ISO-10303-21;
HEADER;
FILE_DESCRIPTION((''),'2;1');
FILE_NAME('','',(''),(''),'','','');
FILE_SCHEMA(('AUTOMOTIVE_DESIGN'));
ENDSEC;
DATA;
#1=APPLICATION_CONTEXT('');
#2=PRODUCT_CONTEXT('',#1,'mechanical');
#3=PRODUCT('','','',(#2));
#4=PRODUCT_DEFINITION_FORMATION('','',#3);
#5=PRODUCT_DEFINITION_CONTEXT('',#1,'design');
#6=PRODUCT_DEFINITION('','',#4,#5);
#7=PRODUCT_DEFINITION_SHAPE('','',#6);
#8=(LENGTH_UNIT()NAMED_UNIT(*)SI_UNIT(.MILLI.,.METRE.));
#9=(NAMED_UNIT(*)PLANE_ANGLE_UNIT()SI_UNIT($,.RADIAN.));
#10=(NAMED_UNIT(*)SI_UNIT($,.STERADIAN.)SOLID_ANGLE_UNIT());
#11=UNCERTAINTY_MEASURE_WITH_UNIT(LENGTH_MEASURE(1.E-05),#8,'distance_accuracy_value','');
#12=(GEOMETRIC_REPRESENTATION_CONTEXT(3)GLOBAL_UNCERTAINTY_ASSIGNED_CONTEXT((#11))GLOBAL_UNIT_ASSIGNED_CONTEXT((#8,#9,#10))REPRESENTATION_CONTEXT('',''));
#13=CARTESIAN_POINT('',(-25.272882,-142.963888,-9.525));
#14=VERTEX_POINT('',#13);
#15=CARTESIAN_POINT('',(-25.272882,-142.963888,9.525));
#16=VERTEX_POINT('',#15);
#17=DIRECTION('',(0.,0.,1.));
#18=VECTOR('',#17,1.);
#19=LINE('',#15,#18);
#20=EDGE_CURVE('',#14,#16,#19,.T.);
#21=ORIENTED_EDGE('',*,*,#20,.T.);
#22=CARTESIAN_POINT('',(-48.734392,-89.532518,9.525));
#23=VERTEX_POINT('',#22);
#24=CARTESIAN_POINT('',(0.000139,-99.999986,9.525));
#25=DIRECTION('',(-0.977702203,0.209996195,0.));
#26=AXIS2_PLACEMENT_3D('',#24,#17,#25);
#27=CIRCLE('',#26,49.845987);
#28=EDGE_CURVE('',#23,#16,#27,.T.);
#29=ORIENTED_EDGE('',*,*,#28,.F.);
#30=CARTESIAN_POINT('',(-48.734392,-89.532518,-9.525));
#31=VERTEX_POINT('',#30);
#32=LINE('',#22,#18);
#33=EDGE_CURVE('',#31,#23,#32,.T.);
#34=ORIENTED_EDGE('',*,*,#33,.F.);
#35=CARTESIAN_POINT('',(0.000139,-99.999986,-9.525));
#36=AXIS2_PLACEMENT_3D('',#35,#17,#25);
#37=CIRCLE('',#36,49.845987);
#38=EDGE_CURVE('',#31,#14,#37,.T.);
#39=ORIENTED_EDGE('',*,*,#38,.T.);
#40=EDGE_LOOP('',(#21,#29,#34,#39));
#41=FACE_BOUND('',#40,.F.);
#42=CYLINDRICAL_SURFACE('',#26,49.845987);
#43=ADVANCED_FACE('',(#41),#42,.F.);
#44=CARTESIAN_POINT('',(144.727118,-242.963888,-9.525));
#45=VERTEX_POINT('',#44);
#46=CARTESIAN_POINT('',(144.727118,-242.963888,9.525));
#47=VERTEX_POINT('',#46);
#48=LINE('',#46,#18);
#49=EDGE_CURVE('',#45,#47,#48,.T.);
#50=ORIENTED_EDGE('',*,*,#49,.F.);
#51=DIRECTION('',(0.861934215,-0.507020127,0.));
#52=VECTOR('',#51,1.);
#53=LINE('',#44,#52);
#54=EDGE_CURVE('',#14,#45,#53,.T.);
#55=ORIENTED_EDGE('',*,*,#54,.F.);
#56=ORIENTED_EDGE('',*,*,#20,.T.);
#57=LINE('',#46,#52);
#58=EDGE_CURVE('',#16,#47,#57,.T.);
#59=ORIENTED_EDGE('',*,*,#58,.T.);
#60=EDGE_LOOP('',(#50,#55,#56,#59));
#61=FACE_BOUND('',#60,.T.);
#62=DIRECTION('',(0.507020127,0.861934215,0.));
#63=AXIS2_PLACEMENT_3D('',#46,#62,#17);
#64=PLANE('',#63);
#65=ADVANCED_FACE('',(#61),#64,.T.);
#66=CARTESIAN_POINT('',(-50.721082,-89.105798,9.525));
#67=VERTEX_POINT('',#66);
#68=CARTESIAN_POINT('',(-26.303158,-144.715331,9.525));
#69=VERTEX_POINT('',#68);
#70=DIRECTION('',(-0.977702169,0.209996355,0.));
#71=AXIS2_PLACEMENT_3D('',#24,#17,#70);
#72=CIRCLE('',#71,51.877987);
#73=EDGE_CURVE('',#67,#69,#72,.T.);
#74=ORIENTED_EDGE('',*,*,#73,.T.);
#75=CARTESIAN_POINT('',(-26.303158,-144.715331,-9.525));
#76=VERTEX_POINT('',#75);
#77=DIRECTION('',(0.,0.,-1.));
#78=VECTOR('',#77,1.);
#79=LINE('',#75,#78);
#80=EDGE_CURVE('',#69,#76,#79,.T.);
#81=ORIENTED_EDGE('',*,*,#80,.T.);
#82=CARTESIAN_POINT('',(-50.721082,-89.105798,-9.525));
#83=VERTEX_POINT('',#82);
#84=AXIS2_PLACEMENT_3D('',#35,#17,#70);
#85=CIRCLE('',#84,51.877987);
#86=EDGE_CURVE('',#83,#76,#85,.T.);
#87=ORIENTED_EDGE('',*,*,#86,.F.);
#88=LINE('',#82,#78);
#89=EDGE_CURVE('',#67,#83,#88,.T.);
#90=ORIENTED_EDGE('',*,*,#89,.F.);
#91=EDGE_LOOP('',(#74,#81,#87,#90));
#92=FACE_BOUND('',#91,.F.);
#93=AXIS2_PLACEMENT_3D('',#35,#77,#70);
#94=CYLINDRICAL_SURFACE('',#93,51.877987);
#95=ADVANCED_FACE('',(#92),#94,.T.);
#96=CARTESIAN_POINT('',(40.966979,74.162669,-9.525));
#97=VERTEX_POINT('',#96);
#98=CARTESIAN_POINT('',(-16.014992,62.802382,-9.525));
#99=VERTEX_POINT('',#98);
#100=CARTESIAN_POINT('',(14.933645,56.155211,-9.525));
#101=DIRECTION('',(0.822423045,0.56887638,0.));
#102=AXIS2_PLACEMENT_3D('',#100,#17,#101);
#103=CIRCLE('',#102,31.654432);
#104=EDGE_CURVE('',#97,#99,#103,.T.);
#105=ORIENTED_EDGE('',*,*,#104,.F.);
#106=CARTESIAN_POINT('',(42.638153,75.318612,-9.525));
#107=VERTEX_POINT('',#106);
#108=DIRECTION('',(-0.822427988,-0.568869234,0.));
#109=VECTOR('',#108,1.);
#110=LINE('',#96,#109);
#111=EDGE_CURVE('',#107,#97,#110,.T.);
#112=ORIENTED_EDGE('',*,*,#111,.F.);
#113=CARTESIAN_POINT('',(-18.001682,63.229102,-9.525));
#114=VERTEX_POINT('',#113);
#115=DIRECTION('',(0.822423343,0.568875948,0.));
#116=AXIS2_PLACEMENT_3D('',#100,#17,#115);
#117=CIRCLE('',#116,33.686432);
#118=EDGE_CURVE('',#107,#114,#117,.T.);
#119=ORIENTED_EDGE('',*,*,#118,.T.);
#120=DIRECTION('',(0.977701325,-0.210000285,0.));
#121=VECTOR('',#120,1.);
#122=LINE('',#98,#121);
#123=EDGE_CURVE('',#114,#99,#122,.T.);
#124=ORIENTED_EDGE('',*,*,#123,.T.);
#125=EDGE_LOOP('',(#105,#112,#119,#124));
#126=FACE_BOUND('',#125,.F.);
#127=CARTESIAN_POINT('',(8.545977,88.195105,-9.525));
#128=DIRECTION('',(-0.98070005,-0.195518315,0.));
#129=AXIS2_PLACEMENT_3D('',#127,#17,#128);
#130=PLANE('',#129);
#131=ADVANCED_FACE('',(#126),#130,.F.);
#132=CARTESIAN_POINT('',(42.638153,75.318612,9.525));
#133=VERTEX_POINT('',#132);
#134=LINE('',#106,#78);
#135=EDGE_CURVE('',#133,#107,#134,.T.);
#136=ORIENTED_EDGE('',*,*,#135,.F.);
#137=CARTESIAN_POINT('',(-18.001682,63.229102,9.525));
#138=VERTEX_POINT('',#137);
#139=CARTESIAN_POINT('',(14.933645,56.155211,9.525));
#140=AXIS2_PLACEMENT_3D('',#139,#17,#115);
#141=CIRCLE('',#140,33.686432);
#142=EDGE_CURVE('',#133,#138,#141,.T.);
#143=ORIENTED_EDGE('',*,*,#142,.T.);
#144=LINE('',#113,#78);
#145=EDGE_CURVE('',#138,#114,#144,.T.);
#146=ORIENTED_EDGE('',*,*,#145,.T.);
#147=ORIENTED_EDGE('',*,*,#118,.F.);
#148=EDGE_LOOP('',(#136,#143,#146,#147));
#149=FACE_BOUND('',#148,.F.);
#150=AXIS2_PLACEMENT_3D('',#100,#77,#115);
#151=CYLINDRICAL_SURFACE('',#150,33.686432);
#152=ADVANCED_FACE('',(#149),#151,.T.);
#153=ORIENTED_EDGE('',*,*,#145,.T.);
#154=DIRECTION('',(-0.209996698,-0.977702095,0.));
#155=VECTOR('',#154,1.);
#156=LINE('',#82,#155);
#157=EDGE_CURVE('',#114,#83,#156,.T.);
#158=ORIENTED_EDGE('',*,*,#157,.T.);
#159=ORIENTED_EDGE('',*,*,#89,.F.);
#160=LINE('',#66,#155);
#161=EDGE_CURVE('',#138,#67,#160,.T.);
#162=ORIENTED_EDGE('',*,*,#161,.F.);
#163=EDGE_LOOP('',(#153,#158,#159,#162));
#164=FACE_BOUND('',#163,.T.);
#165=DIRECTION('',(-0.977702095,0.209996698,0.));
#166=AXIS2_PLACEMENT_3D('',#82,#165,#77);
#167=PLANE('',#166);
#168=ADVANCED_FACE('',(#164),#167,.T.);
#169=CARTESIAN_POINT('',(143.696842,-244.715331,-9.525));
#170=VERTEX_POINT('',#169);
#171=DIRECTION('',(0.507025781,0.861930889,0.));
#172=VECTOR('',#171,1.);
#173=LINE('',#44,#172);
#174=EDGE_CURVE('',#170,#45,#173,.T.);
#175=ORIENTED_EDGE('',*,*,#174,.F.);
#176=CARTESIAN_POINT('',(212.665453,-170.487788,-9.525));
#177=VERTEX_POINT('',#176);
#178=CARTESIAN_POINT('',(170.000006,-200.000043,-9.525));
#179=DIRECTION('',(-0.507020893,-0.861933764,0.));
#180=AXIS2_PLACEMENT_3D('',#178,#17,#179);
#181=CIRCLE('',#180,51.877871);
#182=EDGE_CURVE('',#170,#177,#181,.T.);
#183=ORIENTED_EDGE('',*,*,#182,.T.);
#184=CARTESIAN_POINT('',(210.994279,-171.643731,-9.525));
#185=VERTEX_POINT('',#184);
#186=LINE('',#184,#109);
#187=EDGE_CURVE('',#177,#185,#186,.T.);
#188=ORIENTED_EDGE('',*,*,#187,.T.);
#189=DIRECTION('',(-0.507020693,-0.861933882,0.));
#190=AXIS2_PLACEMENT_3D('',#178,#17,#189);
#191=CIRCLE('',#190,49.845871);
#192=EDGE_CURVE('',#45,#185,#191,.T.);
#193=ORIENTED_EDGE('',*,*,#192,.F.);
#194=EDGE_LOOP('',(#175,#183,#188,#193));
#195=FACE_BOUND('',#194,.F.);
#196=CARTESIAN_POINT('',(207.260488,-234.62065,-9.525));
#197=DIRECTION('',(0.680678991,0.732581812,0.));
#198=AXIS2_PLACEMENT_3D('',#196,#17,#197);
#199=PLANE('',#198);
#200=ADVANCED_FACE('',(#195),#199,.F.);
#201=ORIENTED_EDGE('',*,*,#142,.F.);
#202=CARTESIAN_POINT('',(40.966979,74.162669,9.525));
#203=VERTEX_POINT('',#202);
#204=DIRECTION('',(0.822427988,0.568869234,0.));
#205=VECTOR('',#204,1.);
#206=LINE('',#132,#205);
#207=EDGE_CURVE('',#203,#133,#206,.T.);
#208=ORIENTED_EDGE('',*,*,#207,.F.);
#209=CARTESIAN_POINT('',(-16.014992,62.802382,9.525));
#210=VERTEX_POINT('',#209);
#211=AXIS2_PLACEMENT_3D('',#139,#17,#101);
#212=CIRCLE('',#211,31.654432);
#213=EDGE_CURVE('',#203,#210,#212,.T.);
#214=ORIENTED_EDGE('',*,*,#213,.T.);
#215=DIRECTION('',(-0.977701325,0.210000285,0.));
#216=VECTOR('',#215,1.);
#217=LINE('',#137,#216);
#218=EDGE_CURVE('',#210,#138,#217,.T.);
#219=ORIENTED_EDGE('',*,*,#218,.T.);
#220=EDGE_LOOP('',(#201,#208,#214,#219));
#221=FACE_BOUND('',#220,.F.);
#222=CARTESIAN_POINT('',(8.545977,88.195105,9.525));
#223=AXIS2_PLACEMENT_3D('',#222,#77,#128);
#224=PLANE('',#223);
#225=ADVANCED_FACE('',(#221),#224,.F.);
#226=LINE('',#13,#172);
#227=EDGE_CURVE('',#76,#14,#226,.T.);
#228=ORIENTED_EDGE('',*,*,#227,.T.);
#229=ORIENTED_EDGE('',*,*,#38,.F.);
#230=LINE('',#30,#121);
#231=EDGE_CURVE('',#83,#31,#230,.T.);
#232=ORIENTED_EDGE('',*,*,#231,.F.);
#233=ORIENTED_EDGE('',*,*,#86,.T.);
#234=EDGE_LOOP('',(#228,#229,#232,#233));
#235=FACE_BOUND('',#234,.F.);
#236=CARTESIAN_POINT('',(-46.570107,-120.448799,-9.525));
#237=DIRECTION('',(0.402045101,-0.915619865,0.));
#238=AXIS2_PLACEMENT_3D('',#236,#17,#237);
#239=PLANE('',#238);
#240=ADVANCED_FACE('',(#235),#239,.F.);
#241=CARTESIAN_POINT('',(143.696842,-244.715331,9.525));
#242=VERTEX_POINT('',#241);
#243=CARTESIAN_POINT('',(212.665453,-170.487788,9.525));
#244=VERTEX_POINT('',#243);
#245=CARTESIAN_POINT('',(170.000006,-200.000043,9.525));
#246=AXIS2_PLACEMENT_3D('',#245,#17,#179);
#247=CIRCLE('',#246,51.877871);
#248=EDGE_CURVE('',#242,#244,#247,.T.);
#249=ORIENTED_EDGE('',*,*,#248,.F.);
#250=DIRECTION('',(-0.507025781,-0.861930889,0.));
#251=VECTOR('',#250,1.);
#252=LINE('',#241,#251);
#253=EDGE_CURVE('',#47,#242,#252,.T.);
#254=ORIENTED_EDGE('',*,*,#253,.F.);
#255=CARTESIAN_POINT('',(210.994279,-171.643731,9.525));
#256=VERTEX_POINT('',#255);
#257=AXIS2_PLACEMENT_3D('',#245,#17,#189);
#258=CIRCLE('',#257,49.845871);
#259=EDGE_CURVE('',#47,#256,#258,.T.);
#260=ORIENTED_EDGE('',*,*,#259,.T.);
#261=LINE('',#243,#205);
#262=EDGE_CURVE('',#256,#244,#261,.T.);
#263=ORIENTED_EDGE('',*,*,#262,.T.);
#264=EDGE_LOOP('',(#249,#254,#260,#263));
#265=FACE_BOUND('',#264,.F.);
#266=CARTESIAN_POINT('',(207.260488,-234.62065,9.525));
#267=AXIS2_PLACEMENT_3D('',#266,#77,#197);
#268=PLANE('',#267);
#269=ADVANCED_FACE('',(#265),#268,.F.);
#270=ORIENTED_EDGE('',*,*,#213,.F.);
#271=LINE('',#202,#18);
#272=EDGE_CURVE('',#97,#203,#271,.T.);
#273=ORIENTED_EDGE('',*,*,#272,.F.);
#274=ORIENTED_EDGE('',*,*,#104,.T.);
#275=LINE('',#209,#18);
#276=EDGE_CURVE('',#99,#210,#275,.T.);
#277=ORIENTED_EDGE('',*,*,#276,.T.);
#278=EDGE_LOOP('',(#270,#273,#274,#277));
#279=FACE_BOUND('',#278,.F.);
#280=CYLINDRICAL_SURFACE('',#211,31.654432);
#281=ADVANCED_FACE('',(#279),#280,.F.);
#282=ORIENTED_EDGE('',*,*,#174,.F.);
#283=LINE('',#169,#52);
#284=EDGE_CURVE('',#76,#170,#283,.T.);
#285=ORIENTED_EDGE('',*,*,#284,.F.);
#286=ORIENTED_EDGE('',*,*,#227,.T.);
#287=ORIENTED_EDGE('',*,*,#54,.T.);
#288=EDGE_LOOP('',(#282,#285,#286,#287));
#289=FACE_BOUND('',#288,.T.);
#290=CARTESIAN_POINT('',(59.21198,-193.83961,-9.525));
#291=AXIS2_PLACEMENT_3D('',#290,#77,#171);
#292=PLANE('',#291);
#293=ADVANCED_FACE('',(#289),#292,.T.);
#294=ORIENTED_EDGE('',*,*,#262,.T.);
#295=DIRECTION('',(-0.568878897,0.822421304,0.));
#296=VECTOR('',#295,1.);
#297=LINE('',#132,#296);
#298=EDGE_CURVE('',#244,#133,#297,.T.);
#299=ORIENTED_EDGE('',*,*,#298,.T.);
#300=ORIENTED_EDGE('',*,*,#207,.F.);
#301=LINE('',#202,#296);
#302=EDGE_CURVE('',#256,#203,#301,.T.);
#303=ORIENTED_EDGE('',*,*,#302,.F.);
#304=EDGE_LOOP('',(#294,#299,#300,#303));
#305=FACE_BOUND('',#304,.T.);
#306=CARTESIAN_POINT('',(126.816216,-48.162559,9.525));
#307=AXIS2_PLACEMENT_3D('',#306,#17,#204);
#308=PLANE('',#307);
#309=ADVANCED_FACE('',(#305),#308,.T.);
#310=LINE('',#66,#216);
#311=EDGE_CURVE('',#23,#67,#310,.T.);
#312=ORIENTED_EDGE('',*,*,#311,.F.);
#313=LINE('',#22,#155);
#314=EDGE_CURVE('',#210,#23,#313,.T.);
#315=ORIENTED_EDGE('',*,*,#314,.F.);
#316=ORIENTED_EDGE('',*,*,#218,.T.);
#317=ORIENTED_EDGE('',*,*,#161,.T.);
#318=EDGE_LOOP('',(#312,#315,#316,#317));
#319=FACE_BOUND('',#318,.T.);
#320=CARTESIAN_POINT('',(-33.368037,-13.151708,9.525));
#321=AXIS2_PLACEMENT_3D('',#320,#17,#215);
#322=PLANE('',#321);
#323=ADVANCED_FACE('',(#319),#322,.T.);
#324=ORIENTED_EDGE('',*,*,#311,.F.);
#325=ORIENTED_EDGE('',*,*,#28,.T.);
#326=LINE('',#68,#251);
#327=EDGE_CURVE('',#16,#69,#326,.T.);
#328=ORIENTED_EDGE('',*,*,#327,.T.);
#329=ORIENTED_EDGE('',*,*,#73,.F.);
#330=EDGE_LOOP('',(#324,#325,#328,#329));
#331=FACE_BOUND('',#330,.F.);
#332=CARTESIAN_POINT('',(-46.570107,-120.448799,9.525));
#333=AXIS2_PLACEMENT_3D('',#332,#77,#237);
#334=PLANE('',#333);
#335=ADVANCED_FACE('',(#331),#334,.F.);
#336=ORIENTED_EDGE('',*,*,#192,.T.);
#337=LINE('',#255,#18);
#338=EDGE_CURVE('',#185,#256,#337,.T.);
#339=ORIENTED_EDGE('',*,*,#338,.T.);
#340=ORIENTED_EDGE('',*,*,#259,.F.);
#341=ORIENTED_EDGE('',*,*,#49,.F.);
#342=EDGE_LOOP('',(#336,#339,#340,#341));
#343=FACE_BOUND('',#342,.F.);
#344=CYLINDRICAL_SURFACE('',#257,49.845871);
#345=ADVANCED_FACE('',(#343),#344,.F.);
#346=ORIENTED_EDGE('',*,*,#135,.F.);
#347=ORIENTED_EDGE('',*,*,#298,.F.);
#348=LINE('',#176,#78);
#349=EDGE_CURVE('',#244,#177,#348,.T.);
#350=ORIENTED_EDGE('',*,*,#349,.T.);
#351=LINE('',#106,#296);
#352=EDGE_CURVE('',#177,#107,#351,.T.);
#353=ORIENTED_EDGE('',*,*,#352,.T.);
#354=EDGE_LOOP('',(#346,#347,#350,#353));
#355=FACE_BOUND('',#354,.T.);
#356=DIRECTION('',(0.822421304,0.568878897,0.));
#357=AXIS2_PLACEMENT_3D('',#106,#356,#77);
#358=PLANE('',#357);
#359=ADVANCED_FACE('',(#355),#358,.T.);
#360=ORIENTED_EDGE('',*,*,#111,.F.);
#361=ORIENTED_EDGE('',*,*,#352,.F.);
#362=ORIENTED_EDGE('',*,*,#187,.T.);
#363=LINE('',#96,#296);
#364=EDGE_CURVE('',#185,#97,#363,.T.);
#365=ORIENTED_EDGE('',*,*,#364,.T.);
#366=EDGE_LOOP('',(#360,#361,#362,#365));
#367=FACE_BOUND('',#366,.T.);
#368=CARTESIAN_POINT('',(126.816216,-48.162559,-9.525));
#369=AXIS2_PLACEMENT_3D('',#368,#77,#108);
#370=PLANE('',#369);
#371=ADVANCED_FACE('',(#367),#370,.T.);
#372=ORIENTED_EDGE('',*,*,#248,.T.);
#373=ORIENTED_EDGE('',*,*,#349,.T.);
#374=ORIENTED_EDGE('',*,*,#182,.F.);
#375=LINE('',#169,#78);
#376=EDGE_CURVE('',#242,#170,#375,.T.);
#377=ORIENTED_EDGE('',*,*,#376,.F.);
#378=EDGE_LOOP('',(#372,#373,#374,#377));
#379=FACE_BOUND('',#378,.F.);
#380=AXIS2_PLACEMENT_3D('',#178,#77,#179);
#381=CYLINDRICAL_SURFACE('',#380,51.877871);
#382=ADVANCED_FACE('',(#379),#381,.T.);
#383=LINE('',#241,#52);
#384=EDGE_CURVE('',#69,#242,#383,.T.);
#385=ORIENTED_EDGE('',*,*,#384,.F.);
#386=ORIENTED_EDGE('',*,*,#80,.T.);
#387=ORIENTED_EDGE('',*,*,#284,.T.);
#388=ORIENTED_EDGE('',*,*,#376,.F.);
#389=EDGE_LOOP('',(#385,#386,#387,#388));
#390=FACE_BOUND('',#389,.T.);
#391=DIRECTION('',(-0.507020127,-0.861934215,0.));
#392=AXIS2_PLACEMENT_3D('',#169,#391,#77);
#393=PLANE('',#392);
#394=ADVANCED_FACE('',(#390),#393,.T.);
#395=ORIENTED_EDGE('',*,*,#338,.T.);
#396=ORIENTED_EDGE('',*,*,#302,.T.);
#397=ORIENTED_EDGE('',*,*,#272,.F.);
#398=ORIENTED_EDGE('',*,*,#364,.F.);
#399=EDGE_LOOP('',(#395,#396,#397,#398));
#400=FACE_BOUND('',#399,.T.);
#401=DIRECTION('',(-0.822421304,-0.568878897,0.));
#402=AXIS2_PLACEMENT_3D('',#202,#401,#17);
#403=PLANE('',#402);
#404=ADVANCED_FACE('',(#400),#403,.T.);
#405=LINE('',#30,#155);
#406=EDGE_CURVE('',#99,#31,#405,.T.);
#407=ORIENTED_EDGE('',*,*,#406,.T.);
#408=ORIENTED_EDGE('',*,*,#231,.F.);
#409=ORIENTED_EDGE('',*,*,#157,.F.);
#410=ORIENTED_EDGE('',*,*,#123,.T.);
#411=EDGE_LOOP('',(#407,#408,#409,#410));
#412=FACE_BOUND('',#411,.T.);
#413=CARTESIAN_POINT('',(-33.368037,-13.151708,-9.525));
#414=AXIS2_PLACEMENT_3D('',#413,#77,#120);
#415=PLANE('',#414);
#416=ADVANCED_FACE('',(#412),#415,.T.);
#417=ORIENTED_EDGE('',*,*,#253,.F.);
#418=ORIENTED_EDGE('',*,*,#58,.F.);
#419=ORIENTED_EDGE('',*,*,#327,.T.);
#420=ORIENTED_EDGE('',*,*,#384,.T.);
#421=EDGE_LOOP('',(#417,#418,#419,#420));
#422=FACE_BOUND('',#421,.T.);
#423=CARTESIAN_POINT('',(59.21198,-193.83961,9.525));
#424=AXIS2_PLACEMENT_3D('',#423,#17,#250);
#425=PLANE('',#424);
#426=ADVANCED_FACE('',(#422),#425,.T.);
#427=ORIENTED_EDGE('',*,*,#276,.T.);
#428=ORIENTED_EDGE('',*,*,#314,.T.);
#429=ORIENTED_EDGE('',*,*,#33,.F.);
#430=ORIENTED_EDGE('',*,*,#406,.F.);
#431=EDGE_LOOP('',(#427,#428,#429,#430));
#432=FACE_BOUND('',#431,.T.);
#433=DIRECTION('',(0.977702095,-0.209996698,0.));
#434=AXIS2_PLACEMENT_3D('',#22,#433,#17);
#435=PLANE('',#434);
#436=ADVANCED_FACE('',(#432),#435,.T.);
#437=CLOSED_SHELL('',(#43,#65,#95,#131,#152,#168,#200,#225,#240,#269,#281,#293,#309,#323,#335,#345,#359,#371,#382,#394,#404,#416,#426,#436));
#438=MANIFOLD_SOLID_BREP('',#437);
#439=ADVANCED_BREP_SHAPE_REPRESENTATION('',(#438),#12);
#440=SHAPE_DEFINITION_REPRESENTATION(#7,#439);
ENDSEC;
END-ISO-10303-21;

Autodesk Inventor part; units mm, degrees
sketch "Эскизная траектория" plane through (0, 0, 0) normal (0, 0, 1) x (1, 0, 0)
  arc A0 (41.531, 74.5528) -> (-16.6855, 62.9464) centre (14.9336, 56.1551) ccw
  arc A1 (144.3794, -243.555) -> (211.5583, -171.2536) centre (170, -200) ccw
  arc A2 (-49.4049, -89.3885) -> (-25.6206, -143.555) centre (0, -100) ccw
  line L0 (-49.4049, -89.3885) -> (-16.6855, 62.9464)
  line L1 (41.531, 74.5528) -> (211.5583, -171.2536)
  line L2 (144.3794, -243.555) -> (-25.6206, -143.555)
ref_plane "Плоскость сечения" through (-16.6855, 62.9464, 0) normal (-0.21, -0.9777, 0) x (0, 0, 1)
ref_plane "РабПлоскость2" through (14.9336, 56.1551, 0) normal (-1, 0, 0) x (0, 0, 1)
ref_plane "РабПлоскость3" through (170, -200, 0) normal (-0.5674, 0.8234, 0) x (0, 0, 1)
ref_plane "РабПлоскость4" through (0, -100, 0) normal (0.7593, -0.6507, 0) x (0, 0, 1)
sketch "Сечение" plane through (-16.6855, 62.9464, 0) normal (-0.21, -0.9777, 0) x (0, 0, 1)
  line L0 (-9.525, 1.3462) -> (9.525, 1.3462)
  line L1 (9.525, 1.3462) -> (9.525, -0.6858)
  line L2 (9.525, -0.6858) -> (-9.525, -0.6858)
  line L3 (-9.525, -0.6858) -> (-9.525, 1.3462)
  line L4 (-9.525, 0) -> (9.525, 0) construction
  point P0 (0, 0)
  point P1 (0, 0)
  dimension "d0" = 19.05
  dimension "d4" = 0.6858
  dimension "d5" = 1.3462
sweep "Ремень" add profiles "Сечение" path "Эскизная траектория"
equation "\"d0\" = da_B"
equation "\"d4\" = da_a"
equation "\"d5\" = da_a2"
equation "\"da_B\" = 19.05"
equation "\"da_pb\" = 12.7"
equation "\"da_L\" = 927.12858"
equation "\"da_a\" = 0.6858"
equation "\"da_S\" = 6.1214"
equation "\"da_Beta\" = 20deg"
equation "\"da_Ht\" = 2.286"
equation "\"da_H\" = 4.318"
equation "\"da_a2\" = 1.3462"
properties part number "Зубчатый ремень" material "Rubber"
